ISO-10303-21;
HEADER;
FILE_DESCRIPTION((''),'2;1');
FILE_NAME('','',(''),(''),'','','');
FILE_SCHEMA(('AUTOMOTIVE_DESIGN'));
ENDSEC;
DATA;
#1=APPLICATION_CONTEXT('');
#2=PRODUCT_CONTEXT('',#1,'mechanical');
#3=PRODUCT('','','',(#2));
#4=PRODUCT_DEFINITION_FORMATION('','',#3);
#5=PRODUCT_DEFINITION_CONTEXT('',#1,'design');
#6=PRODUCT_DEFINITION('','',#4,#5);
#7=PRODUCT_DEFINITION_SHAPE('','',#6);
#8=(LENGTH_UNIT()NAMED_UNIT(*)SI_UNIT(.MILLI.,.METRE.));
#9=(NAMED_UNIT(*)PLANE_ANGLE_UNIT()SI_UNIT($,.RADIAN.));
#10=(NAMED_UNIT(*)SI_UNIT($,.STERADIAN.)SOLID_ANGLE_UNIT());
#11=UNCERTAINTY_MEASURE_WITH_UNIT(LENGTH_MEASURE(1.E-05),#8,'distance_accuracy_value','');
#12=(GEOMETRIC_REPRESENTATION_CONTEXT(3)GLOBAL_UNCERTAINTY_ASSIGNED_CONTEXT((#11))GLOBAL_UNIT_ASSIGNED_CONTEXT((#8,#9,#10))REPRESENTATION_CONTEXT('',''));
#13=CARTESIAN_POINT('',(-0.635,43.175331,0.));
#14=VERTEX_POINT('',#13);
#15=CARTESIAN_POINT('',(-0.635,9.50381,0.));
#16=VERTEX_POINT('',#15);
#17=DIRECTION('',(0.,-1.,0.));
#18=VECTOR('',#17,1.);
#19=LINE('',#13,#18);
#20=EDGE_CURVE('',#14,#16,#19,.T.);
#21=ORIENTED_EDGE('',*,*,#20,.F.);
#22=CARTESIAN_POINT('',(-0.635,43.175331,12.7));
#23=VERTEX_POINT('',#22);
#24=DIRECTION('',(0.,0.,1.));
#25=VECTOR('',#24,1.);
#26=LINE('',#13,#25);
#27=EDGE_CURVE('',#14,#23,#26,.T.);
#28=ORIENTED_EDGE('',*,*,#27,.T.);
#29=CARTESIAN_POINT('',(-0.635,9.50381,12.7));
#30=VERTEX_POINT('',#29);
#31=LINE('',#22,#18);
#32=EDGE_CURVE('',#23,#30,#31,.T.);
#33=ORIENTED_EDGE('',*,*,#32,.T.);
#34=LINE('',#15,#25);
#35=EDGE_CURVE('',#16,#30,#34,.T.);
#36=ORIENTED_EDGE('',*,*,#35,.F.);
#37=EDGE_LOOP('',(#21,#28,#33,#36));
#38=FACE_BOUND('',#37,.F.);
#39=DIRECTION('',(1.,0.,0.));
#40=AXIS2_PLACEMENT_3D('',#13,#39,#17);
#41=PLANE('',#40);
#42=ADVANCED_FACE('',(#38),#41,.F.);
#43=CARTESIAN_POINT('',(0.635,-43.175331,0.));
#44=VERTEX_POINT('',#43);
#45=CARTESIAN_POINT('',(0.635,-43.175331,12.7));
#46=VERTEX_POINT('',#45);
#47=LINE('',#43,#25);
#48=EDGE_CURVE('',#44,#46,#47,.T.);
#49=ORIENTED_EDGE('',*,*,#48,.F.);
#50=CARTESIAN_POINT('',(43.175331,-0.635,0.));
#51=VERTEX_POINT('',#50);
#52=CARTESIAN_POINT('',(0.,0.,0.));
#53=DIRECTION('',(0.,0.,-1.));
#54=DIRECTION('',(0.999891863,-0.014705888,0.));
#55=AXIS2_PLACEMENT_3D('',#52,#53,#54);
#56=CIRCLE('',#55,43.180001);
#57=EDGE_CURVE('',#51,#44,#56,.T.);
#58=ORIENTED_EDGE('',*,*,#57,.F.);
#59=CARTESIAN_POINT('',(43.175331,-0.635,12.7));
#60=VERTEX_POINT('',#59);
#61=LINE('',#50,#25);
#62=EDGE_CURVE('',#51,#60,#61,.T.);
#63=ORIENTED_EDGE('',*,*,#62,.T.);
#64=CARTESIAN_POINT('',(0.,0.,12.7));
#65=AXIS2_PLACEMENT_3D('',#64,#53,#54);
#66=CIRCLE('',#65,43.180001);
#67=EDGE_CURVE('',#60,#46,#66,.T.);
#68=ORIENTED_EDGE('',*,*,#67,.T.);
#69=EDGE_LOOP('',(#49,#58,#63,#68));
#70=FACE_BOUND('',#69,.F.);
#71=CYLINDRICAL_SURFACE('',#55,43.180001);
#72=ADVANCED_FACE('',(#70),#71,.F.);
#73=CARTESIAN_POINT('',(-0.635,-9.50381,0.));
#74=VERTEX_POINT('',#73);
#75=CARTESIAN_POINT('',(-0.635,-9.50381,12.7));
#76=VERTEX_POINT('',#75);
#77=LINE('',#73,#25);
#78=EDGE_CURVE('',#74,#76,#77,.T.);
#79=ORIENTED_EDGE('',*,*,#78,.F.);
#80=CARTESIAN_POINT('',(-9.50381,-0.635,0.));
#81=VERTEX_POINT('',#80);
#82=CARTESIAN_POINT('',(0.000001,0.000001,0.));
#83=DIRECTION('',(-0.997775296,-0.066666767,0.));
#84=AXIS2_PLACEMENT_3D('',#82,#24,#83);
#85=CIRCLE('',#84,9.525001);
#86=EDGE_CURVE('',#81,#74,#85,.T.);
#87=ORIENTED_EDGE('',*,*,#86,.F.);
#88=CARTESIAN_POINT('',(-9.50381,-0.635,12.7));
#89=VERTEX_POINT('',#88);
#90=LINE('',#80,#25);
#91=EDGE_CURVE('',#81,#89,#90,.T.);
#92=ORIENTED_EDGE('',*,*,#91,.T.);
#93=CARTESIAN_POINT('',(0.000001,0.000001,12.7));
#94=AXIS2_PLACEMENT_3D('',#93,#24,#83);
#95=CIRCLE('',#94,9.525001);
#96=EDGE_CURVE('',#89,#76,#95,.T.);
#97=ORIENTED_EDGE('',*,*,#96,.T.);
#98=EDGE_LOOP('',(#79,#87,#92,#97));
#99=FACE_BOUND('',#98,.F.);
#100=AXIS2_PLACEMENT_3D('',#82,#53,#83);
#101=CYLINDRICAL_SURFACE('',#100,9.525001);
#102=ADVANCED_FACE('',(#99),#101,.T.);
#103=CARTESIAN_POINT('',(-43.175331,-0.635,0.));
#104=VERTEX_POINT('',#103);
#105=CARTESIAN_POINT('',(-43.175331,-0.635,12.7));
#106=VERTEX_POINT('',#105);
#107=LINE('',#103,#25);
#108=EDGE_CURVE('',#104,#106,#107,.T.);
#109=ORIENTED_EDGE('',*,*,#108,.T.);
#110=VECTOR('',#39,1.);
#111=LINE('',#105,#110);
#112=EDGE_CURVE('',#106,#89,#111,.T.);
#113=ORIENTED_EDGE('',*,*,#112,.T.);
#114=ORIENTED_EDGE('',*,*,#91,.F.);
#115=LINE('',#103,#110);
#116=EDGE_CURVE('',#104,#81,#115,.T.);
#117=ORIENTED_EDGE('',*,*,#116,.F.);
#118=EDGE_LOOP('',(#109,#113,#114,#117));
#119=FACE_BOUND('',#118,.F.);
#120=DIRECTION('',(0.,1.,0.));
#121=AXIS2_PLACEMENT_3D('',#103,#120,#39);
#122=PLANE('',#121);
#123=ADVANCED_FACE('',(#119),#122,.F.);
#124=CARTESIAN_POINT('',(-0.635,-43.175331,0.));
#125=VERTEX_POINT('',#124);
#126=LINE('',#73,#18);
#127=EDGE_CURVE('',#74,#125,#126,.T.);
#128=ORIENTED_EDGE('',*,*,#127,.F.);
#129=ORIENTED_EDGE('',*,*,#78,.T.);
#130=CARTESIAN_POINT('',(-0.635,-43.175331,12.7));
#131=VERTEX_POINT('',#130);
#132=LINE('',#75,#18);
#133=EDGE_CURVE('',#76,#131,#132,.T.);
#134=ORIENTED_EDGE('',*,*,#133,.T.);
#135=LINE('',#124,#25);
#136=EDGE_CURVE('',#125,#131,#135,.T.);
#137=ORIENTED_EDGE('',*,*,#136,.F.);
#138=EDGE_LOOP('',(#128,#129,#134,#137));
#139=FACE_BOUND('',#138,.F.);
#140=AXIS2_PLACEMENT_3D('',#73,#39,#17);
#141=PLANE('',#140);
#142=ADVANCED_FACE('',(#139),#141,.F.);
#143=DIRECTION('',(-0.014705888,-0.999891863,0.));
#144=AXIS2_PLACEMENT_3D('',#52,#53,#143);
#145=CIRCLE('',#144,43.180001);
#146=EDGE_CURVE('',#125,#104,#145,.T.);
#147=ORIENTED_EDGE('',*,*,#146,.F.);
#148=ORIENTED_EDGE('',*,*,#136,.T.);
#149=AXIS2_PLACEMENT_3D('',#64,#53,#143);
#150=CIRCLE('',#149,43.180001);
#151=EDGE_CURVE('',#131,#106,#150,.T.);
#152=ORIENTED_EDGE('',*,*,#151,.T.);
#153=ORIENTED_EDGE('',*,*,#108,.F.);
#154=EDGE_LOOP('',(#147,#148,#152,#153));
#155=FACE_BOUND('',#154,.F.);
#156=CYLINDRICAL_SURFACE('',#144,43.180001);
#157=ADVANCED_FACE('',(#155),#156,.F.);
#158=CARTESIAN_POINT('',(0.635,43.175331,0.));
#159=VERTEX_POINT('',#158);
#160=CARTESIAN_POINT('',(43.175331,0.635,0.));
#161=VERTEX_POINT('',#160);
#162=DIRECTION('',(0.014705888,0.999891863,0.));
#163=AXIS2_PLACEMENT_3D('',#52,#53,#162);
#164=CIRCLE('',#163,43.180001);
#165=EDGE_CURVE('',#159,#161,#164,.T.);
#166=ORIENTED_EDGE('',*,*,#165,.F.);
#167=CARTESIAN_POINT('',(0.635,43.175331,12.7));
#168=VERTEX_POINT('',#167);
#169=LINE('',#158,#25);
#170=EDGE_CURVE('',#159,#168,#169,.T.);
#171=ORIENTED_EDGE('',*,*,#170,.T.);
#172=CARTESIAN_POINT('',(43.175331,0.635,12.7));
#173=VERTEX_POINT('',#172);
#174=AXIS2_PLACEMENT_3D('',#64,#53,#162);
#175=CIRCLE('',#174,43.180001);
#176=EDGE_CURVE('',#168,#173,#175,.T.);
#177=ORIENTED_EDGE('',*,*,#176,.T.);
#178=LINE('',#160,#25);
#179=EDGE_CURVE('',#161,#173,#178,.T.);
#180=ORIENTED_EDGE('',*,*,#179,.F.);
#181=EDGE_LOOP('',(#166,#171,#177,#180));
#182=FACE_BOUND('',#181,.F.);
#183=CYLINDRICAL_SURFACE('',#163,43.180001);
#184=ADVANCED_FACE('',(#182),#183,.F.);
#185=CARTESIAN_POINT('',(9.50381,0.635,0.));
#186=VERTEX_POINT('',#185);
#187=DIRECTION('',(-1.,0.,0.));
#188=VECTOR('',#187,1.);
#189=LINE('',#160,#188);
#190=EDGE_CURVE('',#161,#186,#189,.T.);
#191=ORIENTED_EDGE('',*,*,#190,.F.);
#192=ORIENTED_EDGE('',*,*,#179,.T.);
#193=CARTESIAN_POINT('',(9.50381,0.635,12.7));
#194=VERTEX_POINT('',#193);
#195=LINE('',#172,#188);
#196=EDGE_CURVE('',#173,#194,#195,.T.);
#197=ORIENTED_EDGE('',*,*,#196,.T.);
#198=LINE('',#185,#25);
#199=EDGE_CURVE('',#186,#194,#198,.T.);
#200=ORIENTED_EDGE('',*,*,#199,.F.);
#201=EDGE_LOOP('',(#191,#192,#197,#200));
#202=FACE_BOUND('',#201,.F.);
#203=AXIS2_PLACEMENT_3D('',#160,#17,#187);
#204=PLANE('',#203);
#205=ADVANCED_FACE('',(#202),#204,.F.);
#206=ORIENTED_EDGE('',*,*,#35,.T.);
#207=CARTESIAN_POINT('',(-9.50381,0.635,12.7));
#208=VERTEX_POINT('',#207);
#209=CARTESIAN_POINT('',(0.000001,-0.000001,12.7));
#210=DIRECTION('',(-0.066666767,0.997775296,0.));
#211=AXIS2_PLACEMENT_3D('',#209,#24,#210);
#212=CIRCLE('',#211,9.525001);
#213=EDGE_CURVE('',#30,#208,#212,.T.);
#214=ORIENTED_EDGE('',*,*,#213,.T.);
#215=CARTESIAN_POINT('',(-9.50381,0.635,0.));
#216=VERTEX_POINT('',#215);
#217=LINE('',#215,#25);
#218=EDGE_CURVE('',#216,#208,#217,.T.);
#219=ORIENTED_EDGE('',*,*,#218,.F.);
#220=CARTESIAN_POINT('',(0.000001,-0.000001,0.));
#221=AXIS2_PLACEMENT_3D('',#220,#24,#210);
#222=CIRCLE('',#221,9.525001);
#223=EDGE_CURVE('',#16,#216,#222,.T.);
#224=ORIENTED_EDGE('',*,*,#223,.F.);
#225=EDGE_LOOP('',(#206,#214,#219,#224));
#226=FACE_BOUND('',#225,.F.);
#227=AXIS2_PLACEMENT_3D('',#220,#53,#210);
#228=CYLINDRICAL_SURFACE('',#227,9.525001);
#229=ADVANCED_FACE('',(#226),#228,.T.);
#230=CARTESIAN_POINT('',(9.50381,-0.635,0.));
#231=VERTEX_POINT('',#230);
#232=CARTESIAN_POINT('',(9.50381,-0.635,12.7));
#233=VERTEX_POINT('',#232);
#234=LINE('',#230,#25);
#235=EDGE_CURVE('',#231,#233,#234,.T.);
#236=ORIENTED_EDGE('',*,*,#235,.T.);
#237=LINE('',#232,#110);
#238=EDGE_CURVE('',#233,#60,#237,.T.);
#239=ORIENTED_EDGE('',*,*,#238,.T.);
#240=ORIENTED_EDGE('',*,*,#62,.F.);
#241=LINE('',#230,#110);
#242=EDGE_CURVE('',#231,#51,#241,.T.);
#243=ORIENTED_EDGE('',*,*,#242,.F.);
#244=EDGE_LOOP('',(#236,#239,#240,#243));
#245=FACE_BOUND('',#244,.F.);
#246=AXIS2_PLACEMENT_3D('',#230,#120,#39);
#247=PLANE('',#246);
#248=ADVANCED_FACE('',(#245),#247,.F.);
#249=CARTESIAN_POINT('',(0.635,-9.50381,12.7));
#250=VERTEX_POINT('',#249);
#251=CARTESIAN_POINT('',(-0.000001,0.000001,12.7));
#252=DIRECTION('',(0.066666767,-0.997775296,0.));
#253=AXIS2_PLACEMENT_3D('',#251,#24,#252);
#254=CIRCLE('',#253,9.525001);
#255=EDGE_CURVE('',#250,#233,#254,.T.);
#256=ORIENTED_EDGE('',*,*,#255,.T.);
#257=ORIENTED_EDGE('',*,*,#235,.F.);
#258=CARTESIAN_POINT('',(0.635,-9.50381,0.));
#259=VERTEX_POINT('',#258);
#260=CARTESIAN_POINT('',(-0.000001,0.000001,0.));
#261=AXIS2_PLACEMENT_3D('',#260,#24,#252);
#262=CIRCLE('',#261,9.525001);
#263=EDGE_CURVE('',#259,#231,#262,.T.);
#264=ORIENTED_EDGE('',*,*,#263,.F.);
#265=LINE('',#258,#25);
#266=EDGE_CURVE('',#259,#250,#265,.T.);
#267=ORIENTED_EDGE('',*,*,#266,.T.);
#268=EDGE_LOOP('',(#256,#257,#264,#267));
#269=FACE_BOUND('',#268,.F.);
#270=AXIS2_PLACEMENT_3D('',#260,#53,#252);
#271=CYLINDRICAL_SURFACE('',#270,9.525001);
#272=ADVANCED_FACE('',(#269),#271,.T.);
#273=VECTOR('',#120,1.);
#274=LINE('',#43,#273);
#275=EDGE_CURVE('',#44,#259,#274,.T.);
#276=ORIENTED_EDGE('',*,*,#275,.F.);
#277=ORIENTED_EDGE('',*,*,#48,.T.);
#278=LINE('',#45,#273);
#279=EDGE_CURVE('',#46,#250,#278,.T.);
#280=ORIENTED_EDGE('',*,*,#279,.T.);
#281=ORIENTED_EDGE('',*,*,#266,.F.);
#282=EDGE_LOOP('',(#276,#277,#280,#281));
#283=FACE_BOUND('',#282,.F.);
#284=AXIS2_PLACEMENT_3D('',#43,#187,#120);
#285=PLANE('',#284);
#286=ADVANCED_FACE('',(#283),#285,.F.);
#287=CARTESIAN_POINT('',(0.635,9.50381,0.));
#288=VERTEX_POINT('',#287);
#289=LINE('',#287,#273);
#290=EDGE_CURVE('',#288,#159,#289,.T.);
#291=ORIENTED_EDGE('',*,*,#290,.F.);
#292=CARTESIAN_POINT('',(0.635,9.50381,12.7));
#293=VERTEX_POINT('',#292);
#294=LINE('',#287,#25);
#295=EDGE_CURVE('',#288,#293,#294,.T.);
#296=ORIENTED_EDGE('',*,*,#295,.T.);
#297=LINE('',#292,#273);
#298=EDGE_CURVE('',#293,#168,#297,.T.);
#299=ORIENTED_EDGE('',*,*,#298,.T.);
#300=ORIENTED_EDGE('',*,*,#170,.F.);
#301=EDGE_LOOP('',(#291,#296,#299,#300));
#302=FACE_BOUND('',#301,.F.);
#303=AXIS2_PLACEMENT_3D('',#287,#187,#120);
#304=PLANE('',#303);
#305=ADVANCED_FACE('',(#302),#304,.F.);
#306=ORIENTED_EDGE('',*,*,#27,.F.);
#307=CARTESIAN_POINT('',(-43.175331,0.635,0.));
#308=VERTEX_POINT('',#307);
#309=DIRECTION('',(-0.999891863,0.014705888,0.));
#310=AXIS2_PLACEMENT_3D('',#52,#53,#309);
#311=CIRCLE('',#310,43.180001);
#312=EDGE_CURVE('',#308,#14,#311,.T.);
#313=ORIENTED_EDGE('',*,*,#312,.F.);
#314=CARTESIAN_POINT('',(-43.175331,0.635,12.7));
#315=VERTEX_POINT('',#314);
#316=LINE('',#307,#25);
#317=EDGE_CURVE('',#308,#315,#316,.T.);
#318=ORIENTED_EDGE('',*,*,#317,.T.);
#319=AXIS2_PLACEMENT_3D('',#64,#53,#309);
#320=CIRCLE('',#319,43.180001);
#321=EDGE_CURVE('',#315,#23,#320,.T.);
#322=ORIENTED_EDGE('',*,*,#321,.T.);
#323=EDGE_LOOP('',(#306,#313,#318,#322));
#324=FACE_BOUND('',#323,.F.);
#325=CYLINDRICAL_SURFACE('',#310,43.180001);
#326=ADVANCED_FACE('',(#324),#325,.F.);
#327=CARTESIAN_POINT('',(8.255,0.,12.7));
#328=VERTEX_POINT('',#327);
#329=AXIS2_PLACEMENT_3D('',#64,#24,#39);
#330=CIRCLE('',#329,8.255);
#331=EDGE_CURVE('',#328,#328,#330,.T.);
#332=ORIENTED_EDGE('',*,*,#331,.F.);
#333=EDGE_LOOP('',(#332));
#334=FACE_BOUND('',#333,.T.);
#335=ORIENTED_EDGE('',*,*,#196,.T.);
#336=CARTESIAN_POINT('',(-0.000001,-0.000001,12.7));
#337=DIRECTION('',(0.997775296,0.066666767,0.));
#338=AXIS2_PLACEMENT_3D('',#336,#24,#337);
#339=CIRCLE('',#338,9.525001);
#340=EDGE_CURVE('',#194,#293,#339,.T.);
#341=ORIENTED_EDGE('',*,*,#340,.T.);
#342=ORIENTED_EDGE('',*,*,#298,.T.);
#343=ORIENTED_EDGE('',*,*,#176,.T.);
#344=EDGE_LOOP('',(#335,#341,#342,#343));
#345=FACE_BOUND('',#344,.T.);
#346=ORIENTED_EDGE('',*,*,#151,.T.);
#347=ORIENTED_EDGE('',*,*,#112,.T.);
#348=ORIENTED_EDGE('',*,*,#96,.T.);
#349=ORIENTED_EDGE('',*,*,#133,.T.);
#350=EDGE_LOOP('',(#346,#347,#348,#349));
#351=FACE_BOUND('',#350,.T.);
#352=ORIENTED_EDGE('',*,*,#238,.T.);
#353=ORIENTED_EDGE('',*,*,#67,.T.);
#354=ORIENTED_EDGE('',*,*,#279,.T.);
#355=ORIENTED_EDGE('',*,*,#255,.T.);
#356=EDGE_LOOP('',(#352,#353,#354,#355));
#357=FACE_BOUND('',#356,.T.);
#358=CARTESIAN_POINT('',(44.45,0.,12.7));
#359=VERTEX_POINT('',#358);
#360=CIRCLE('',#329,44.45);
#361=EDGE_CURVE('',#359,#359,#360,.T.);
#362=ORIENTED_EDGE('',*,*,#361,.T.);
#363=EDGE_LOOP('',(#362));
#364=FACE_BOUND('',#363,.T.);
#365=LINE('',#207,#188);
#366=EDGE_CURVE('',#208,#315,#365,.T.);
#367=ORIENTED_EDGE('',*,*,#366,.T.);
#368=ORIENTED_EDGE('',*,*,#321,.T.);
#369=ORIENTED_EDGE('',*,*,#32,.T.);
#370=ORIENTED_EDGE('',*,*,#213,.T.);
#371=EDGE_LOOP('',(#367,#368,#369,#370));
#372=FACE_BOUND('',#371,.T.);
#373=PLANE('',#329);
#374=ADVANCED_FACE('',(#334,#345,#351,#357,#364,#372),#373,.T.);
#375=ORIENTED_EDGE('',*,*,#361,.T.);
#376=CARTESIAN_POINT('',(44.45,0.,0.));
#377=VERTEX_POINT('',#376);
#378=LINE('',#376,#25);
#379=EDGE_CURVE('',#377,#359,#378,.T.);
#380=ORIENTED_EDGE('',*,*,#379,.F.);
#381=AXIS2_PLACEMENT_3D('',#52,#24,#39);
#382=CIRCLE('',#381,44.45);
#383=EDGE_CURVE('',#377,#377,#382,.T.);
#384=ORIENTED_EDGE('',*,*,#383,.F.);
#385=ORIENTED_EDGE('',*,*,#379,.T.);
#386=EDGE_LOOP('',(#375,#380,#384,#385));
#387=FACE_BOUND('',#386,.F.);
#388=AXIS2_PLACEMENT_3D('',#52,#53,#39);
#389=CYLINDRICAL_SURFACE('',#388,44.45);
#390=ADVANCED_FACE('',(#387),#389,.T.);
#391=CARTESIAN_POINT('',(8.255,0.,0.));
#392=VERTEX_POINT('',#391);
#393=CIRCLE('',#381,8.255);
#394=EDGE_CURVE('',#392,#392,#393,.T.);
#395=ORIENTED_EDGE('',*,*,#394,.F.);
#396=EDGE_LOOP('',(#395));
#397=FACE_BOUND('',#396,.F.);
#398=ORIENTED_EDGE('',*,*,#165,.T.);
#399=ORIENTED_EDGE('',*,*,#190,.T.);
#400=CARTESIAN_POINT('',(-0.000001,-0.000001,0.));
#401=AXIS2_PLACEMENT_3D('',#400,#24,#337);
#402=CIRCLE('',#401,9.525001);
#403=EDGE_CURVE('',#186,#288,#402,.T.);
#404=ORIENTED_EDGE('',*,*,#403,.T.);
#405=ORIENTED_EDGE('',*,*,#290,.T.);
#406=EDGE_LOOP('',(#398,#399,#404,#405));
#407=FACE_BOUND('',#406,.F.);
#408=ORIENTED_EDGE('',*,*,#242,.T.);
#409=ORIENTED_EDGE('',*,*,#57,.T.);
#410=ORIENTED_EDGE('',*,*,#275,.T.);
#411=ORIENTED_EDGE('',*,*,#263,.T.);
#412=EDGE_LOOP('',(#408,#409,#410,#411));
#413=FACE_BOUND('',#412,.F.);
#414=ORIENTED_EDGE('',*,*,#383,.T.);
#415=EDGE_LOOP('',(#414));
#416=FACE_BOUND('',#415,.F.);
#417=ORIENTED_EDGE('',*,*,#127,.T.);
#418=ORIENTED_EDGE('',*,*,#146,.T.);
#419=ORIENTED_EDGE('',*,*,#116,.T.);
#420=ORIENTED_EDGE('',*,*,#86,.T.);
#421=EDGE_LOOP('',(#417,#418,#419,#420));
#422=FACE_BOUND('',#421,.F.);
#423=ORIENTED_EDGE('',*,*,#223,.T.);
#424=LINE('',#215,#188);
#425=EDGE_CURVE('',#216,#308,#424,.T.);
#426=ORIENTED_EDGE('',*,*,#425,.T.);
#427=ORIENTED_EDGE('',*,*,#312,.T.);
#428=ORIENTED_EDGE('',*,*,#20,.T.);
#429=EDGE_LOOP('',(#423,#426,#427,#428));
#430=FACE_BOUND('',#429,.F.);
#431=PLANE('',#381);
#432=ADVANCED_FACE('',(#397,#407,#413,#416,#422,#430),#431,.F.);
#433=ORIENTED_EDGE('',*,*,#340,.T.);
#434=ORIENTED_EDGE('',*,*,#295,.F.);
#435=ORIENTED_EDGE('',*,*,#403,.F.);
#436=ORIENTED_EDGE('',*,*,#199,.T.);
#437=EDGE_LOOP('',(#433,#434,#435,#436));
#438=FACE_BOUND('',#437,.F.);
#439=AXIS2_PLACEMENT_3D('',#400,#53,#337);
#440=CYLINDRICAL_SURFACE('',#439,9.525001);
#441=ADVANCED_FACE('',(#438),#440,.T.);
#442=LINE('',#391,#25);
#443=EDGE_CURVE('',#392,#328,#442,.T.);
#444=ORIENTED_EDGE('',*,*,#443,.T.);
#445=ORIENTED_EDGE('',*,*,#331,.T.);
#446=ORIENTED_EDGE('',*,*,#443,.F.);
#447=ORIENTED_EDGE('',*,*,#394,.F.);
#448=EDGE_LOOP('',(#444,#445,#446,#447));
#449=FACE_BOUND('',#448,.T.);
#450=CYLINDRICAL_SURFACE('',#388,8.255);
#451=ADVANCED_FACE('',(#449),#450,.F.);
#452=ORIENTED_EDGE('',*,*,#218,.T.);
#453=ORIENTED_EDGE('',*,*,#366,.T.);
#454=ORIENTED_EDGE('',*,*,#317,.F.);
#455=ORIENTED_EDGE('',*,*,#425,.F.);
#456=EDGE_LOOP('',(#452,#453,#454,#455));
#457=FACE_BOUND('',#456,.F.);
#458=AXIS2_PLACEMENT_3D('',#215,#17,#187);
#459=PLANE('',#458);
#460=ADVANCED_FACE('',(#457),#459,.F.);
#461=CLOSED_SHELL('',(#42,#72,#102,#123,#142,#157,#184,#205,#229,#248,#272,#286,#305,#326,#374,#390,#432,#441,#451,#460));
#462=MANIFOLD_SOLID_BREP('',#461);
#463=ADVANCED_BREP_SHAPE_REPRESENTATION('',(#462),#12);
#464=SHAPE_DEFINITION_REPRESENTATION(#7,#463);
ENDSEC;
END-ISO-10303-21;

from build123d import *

# Parameters (mm, degrees)
F0_R     = 44.45
F0_R_2   = 8.255
F1_DEPTH = 12.7


with BuildPart() as f1:
    # F0 (on Top) → F1 (new body)
    with BuildSketch(Plane.XY):
        Circle(F0_R)
        with BuildLine():
            ThreePointArc((-0.635, -43.175331), (-30.532871, -30.532871), (-43.175331, -0.635))
            Line((-43.175331, -0.635), (-9.50381, -0.635))
            ThreePointArc((-9.50381, -0.635), (-6.735192, -6.735192), (-0.635, -9.50381))
            Line((-0.635, -9.50381), (-0.635, -43.175331))
        make_face(mode=Mode.SUBTRACT)
        with BuildLine():
            ThreePointArc((0.635, -9.50381), (6.735192, -6.735192), (9.50381, -0.635))
            Line((9.50381, -0.635), (43.175331, -0.635))
            ThreePointArc((43.175331, -0.635), (30.532871, -30.532871), (0.635, -43.175331))
            Line((0.635, -43.175331), (0.635, -9.50381))
        make_face(mode=Mode.SUBTRACT)
        with BuildLine():
            ThreePointArc((-43.175331, 0.635), (-30.532871, 30.532871), (-0.635, 43.175331))
            Line((-0.635, 43.175331), (-0.635, 9.50381))
            ThreePointArc((-0.635, 9.50381), (-6.735192, 6.735192), (-9.50381, 0.635))
            Line((-9.50381, 0.635), (-43.175331, 0.635))
        make_face(mode=Mode.SUBTRACT)
        Circle(F0_R_2, mode=Mode.SUBTRACT)
        with BuildLine():
            Line((43.175331, 0.635), (9.50381, 0.635))
            ThreePointArc((9.50381, 0.635), (6.735192, 6.735192), (0.635, 9.50381))
            Line((0.635, 9.50381), (0.635, 43.175331))
            ThreePointArc((0.635, 43.175331), (30.532871, 30.532871), (43.175331, 0.635))
        make_face(mode=Mode.SUBTRACT)
    extrude(amount=F1_DEPTH)


solid = f1.part
